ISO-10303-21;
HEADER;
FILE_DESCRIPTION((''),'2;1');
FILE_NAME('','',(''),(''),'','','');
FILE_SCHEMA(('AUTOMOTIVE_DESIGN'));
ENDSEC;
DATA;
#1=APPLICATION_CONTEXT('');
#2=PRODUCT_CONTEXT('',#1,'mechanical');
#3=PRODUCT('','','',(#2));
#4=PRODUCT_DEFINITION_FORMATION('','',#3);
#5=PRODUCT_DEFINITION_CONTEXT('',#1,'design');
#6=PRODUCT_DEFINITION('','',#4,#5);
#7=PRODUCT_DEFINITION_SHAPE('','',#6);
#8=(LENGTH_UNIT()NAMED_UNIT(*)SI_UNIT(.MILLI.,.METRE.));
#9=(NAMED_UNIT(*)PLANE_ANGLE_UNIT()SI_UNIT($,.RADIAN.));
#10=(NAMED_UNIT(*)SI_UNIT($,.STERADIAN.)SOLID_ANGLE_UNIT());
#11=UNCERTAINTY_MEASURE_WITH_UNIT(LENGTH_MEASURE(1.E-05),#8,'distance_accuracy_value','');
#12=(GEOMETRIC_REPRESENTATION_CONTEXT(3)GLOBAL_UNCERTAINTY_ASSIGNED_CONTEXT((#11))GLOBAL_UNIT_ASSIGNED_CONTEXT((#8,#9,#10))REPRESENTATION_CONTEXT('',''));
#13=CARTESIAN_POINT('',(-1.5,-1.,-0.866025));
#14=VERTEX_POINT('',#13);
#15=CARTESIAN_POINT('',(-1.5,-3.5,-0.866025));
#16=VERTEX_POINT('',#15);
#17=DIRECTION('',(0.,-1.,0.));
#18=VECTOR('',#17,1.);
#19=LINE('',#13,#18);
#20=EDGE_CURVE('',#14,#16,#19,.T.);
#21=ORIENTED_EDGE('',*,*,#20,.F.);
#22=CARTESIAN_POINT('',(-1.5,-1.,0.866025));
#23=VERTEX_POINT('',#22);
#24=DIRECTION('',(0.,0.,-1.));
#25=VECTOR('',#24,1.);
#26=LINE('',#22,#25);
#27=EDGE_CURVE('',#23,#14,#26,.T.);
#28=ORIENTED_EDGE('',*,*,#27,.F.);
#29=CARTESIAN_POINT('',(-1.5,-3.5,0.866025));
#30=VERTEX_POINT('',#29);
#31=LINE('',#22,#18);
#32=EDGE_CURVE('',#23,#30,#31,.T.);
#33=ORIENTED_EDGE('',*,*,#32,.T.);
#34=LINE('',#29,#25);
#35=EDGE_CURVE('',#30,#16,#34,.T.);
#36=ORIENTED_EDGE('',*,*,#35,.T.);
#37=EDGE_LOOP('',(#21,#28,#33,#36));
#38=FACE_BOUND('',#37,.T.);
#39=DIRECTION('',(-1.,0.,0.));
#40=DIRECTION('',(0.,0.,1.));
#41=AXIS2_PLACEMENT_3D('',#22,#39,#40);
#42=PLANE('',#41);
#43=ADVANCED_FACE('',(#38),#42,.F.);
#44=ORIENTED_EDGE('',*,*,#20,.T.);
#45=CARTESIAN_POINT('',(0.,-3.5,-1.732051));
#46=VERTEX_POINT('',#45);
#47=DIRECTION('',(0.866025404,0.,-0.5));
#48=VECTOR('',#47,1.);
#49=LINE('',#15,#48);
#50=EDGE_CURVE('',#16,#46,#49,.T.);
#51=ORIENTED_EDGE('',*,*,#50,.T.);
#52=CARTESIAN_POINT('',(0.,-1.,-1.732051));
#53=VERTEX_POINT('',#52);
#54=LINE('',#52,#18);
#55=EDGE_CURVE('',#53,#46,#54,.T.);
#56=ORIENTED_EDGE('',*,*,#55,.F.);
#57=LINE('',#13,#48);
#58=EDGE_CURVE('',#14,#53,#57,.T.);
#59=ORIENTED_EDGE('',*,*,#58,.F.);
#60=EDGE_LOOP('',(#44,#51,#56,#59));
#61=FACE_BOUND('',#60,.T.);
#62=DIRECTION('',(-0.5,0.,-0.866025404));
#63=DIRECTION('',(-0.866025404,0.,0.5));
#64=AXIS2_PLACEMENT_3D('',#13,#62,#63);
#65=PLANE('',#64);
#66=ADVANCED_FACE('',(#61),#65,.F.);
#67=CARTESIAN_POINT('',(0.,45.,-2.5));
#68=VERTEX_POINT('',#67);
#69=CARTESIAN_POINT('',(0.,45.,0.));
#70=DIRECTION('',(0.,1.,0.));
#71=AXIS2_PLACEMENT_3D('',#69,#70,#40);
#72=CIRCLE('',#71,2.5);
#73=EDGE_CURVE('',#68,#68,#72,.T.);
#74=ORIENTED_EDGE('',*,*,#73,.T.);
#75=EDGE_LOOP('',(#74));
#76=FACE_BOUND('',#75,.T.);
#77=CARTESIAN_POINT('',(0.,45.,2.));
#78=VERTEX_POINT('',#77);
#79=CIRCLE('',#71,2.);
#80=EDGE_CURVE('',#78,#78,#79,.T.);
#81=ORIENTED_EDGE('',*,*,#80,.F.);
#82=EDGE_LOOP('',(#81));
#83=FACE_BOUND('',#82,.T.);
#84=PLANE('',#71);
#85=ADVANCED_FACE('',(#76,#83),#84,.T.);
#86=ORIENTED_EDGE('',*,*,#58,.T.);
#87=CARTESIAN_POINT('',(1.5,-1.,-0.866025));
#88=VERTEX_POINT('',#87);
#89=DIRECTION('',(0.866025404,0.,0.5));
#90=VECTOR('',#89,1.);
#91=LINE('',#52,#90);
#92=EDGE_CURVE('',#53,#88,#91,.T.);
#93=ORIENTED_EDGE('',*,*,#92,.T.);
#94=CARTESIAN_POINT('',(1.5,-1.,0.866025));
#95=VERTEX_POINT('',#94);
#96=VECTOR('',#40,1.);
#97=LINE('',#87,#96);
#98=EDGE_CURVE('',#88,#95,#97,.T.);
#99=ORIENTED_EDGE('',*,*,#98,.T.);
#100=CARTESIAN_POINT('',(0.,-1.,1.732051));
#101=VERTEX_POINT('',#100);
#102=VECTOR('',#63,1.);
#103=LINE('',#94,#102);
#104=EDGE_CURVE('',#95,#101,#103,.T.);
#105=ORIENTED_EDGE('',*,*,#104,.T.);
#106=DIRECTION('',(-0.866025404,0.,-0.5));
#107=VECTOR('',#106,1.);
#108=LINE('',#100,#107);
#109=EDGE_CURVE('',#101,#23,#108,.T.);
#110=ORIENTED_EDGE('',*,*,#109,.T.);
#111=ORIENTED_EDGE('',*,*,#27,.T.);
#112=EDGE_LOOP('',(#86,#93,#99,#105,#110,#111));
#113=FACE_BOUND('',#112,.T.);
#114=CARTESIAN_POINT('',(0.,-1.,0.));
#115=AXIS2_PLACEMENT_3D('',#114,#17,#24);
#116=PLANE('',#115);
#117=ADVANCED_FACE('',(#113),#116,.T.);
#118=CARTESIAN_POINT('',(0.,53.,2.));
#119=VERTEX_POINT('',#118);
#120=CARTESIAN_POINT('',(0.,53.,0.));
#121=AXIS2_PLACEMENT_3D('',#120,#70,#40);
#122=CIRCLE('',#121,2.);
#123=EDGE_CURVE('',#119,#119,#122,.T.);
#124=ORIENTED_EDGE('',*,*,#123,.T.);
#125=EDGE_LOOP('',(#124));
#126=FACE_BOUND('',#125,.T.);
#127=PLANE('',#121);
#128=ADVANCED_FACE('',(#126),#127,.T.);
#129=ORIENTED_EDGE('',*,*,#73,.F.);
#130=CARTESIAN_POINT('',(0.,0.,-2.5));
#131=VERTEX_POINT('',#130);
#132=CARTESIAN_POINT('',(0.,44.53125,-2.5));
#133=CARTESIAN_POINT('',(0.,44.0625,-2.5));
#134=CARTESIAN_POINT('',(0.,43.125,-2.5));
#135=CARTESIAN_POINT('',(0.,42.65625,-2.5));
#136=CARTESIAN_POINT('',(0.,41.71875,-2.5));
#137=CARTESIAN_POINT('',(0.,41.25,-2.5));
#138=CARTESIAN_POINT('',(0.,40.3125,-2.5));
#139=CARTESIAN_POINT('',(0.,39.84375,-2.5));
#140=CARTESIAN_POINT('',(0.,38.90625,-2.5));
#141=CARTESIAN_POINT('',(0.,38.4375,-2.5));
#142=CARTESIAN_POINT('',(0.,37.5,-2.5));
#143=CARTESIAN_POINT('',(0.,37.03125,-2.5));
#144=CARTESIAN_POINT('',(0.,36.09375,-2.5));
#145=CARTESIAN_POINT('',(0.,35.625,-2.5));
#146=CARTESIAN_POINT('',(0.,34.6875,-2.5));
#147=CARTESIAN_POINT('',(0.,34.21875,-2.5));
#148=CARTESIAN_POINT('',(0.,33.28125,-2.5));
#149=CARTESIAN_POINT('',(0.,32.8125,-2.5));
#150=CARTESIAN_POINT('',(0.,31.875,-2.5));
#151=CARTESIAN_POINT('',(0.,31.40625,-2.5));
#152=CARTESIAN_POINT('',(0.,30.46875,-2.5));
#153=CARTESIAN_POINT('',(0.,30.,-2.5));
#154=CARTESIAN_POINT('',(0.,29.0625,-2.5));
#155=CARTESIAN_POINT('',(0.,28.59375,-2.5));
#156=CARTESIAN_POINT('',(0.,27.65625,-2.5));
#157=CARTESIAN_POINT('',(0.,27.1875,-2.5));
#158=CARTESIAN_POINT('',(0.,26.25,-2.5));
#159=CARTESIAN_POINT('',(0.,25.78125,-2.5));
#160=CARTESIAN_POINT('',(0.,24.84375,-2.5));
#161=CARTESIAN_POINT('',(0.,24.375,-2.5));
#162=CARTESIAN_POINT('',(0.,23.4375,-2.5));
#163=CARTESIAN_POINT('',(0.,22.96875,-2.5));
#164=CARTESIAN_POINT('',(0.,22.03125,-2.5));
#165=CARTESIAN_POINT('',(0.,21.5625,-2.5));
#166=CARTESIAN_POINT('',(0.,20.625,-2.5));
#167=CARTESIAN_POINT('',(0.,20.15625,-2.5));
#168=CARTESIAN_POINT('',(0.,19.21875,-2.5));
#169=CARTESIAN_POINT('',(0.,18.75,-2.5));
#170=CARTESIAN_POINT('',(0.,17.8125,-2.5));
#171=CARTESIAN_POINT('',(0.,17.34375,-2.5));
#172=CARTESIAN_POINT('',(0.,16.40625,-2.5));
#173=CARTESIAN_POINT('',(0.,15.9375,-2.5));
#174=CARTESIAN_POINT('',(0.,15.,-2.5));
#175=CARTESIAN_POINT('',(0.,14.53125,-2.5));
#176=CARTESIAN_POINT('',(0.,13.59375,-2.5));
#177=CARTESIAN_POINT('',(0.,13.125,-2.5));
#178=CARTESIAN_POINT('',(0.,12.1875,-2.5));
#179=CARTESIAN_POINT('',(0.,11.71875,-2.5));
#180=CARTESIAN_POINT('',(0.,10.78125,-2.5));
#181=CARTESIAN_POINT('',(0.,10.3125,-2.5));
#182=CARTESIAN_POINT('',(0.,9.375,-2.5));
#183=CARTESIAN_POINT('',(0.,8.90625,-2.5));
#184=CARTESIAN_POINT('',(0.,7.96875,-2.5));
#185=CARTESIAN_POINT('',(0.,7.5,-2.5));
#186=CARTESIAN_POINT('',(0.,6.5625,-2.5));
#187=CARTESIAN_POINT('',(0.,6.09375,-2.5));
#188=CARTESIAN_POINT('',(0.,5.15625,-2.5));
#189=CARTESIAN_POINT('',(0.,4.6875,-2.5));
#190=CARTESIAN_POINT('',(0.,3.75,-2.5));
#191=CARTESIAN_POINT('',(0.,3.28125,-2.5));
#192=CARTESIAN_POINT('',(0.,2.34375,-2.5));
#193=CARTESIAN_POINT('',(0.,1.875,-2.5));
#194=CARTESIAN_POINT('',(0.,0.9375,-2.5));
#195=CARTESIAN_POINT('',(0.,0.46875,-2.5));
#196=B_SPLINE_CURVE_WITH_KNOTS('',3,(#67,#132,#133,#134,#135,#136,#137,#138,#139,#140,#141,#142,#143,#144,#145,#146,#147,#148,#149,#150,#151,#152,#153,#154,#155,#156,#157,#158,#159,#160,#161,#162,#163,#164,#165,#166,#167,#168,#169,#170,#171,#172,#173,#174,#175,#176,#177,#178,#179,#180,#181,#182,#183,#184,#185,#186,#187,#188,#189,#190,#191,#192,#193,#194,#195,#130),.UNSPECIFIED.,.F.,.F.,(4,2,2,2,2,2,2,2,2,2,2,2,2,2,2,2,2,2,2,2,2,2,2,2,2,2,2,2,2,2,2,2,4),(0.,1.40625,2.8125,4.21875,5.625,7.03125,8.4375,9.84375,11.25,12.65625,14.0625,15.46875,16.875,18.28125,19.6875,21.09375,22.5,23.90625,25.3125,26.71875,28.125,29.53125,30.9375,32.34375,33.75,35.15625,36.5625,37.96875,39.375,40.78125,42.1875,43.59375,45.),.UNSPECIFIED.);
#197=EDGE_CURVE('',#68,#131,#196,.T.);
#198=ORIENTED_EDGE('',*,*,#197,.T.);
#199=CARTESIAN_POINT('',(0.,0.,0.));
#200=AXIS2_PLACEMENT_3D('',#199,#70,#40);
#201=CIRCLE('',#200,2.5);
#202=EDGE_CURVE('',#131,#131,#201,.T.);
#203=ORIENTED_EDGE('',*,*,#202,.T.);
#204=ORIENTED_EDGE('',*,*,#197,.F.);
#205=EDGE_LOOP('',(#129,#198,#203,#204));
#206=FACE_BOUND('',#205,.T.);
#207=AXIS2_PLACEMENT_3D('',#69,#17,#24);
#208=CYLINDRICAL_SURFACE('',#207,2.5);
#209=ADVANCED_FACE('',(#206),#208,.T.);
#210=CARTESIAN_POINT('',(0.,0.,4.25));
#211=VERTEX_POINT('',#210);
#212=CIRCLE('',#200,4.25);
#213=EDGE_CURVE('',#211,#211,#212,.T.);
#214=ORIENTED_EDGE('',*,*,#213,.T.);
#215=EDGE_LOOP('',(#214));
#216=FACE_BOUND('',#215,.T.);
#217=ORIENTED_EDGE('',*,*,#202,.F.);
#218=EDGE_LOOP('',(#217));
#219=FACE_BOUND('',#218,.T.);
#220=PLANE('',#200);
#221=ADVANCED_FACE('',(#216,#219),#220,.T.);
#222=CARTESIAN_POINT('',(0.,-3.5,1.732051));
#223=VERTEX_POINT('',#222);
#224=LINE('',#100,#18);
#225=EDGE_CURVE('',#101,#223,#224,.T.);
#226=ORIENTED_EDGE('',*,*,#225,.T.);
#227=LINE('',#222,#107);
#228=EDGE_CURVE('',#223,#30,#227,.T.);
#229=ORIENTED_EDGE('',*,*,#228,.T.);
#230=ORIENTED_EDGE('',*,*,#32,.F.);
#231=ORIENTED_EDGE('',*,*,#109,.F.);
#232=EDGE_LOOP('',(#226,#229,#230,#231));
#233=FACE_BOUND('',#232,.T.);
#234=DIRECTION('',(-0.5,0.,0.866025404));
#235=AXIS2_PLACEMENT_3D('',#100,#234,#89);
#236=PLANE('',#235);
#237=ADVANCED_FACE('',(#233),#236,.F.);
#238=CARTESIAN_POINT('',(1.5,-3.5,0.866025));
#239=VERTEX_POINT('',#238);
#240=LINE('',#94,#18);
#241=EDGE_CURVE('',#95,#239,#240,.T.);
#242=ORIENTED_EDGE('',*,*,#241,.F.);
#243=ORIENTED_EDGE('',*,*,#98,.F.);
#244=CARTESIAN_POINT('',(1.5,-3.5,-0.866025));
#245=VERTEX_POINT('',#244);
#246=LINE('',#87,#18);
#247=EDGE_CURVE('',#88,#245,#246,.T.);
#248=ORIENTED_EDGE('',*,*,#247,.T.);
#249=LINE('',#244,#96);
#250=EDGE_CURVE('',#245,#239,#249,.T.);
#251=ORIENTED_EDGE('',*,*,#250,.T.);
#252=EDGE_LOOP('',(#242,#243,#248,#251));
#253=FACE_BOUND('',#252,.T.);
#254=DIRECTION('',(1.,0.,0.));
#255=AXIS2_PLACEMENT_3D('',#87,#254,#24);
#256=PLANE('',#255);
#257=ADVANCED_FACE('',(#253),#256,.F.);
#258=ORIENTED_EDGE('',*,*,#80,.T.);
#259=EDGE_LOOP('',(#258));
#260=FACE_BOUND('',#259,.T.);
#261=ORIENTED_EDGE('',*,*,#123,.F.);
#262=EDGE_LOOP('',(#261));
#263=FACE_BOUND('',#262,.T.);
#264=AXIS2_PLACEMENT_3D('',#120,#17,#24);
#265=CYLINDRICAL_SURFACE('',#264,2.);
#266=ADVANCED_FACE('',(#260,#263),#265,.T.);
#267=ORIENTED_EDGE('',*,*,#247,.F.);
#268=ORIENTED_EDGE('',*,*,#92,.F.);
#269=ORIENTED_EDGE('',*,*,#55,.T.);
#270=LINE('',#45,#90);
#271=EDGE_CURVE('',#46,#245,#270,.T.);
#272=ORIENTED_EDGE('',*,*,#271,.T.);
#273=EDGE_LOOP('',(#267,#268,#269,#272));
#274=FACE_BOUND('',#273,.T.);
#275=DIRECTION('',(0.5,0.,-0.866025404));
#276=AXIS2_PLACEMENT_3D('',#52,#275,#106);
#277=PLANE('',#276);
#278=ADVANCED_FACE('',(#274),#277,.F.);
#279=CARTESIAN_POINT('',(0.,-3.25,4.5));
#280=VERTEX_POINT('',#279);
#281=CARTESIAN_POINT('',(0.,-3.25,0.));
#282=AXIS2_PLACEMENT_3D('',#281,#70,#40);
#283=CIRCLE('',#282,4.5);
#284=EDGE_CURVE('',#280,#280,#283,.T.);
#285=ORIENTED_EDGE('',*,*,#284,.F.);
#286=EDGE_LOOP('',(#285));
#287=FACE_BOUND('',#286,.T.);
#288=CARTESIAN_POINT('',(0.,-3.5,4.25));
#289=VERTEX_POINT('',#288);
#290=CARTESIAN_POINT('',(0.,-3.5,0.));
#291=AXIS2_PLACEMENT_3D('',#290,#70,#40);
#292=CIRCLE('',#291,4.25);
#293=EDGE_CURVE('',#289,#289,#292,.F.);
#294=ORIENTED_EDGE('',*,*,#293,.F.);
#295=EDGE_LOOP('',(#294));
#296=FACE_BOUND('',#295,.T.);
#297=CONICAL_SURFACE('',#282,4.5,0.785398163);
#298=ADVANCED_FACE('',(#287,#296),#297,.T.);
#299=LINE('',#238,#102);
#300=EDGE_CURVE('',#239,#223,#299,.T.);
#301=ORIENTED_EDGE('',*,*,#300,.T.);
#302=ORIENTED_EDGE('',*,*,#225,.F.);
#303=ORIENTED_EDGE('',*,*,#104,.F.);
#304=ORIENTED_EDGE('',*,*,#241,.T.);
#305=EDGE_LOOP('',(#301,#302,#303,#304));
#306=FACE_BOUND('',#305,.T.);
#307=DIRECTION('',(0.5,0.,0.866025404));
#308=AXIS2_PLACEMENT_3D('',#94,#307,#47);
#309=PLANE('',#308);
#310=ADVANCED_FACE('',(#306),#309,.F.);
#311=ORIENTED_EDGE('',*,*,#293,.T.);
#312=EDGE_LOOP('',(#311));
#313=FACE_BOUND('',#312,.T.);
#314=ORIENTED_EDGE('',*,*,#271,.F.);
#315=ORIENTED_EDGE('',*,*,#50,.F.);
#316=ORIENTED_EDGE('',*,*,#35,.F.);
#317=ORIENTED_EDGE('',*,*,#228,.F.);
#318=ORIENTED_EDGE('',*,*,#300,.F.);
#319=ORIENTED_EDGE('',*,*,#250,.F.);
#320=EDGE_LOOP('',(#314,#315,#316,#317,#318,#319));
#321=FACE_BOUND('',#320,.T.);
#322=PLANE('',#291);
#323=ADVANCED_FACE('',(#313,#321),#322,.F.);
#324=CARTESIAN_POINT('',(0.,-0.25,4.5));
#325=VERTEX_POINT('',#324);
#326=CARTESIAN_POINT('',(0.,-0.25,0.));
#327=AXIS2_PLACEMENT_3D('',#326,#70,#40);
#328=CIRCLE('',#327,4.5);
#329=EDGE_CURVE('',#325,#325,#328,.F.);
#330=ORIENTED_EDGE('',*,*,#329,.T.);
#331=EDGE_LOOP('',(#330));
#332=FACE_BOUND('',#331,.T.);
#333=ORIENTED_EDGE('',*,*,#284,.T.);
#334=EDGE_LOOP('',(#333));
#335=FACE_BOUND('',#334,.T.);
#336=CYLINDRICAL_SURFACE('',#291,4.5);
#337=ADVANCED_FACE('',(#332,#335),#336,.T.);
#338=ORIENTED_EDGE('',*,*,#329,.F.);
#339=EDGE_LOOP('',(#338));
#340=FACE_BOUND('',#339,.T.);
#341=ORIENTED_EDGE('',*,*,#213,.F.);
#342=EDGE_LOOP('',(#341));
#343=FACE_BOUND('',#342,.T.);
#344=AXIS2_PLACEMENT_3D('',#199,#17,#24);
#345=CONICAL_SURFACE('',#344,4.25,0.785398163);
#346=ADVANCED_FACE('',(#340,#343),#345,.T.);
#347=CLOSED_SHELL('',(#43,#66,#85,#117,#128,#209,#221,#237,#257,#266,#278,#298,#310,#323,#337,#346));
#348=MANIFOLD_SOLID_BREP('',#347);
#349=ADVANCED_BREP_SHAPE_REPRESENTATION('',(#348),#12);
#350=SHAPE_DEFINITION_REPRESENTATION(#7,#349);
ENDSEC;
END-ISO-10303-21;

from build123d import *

# Parameters (mm, degrees)
SKETCH_1_R          = 4.5
EXTRUDE_1_DEPTH     = 3.5
SKETCH_2_R          = 2.5
EXTRUDE_2_DEPTH     = 45
SKETCH_3_R          = 2
EXTRUDE_3_DEPTH     = 8
CUT_EXTRUDE_1_DEPTH = 2.5
CHAMFER_1_SIZE      = 0.25


with BuildPart() as part:
    # 草图1 → 凸台-拉伸1 (new body)
    with BuildSketch(Plane(origin=(0, 0, 0), x_dir=(1, 0, 0), z_dir=(0, 1, 0))):
        with Locations(Location((0, 0, 0), (0, 0, 270))):
            Circle(SKETCH_1_R)
    extrude(amount=-EXTRUDE_1_DEPTH)

    # 草图2 → 凸台-拉伸2 (add)
    with BuildSketch(Plane(origin=(0, 0, 0), x_dir=(1, 0, 0), z_dir=(0, 1, 0))):
        with Locations(Location((0, 0, 0), (0, 0, 90))):
            Circle(SKETCH_2_R)
    extrude(amount=EXTRUDE_2_DEPTH)

    # 草图3 → 凸台-拉伸3 (add)
    with BuildSketch(Plane(origin=(0, 45, 0), x_dir=(1, 0, 0), z_dir=(0, 1, 0))):
        with Locations(Location((0, 0, 0), (0, 0, 270))):
            Circle(SKETCH_3_R)
    extrude(amount=EXTRUDE_3_DEPTH)

    # 草图4 → 切除-拉伸1 (cut)
    with BuildSketch(Plane.XZ.offset(3.5)):
        Polygon((1.5, -0.866025404), (1.5, 0.866025404), (0, 1.732050808), (-1.5, 0.866025404), (-1.5, -0.866025404), (0, -1.732050808), align=None)
    extrude(amount=-CUT_EXTRUDE_1_DEPTH, mode=Mode.SUBTRACT)

    # 倒角1
    chamfer_1_edges = [part.edges().sort_by_distance(p)[0] for p in [
        (0, 0, -4.5),
        (0, -3.5, -4.5),
    ]]
    chamfer(chamfer_1_edges, length=CHAMFER_1_SIZE)


solid = part.part
